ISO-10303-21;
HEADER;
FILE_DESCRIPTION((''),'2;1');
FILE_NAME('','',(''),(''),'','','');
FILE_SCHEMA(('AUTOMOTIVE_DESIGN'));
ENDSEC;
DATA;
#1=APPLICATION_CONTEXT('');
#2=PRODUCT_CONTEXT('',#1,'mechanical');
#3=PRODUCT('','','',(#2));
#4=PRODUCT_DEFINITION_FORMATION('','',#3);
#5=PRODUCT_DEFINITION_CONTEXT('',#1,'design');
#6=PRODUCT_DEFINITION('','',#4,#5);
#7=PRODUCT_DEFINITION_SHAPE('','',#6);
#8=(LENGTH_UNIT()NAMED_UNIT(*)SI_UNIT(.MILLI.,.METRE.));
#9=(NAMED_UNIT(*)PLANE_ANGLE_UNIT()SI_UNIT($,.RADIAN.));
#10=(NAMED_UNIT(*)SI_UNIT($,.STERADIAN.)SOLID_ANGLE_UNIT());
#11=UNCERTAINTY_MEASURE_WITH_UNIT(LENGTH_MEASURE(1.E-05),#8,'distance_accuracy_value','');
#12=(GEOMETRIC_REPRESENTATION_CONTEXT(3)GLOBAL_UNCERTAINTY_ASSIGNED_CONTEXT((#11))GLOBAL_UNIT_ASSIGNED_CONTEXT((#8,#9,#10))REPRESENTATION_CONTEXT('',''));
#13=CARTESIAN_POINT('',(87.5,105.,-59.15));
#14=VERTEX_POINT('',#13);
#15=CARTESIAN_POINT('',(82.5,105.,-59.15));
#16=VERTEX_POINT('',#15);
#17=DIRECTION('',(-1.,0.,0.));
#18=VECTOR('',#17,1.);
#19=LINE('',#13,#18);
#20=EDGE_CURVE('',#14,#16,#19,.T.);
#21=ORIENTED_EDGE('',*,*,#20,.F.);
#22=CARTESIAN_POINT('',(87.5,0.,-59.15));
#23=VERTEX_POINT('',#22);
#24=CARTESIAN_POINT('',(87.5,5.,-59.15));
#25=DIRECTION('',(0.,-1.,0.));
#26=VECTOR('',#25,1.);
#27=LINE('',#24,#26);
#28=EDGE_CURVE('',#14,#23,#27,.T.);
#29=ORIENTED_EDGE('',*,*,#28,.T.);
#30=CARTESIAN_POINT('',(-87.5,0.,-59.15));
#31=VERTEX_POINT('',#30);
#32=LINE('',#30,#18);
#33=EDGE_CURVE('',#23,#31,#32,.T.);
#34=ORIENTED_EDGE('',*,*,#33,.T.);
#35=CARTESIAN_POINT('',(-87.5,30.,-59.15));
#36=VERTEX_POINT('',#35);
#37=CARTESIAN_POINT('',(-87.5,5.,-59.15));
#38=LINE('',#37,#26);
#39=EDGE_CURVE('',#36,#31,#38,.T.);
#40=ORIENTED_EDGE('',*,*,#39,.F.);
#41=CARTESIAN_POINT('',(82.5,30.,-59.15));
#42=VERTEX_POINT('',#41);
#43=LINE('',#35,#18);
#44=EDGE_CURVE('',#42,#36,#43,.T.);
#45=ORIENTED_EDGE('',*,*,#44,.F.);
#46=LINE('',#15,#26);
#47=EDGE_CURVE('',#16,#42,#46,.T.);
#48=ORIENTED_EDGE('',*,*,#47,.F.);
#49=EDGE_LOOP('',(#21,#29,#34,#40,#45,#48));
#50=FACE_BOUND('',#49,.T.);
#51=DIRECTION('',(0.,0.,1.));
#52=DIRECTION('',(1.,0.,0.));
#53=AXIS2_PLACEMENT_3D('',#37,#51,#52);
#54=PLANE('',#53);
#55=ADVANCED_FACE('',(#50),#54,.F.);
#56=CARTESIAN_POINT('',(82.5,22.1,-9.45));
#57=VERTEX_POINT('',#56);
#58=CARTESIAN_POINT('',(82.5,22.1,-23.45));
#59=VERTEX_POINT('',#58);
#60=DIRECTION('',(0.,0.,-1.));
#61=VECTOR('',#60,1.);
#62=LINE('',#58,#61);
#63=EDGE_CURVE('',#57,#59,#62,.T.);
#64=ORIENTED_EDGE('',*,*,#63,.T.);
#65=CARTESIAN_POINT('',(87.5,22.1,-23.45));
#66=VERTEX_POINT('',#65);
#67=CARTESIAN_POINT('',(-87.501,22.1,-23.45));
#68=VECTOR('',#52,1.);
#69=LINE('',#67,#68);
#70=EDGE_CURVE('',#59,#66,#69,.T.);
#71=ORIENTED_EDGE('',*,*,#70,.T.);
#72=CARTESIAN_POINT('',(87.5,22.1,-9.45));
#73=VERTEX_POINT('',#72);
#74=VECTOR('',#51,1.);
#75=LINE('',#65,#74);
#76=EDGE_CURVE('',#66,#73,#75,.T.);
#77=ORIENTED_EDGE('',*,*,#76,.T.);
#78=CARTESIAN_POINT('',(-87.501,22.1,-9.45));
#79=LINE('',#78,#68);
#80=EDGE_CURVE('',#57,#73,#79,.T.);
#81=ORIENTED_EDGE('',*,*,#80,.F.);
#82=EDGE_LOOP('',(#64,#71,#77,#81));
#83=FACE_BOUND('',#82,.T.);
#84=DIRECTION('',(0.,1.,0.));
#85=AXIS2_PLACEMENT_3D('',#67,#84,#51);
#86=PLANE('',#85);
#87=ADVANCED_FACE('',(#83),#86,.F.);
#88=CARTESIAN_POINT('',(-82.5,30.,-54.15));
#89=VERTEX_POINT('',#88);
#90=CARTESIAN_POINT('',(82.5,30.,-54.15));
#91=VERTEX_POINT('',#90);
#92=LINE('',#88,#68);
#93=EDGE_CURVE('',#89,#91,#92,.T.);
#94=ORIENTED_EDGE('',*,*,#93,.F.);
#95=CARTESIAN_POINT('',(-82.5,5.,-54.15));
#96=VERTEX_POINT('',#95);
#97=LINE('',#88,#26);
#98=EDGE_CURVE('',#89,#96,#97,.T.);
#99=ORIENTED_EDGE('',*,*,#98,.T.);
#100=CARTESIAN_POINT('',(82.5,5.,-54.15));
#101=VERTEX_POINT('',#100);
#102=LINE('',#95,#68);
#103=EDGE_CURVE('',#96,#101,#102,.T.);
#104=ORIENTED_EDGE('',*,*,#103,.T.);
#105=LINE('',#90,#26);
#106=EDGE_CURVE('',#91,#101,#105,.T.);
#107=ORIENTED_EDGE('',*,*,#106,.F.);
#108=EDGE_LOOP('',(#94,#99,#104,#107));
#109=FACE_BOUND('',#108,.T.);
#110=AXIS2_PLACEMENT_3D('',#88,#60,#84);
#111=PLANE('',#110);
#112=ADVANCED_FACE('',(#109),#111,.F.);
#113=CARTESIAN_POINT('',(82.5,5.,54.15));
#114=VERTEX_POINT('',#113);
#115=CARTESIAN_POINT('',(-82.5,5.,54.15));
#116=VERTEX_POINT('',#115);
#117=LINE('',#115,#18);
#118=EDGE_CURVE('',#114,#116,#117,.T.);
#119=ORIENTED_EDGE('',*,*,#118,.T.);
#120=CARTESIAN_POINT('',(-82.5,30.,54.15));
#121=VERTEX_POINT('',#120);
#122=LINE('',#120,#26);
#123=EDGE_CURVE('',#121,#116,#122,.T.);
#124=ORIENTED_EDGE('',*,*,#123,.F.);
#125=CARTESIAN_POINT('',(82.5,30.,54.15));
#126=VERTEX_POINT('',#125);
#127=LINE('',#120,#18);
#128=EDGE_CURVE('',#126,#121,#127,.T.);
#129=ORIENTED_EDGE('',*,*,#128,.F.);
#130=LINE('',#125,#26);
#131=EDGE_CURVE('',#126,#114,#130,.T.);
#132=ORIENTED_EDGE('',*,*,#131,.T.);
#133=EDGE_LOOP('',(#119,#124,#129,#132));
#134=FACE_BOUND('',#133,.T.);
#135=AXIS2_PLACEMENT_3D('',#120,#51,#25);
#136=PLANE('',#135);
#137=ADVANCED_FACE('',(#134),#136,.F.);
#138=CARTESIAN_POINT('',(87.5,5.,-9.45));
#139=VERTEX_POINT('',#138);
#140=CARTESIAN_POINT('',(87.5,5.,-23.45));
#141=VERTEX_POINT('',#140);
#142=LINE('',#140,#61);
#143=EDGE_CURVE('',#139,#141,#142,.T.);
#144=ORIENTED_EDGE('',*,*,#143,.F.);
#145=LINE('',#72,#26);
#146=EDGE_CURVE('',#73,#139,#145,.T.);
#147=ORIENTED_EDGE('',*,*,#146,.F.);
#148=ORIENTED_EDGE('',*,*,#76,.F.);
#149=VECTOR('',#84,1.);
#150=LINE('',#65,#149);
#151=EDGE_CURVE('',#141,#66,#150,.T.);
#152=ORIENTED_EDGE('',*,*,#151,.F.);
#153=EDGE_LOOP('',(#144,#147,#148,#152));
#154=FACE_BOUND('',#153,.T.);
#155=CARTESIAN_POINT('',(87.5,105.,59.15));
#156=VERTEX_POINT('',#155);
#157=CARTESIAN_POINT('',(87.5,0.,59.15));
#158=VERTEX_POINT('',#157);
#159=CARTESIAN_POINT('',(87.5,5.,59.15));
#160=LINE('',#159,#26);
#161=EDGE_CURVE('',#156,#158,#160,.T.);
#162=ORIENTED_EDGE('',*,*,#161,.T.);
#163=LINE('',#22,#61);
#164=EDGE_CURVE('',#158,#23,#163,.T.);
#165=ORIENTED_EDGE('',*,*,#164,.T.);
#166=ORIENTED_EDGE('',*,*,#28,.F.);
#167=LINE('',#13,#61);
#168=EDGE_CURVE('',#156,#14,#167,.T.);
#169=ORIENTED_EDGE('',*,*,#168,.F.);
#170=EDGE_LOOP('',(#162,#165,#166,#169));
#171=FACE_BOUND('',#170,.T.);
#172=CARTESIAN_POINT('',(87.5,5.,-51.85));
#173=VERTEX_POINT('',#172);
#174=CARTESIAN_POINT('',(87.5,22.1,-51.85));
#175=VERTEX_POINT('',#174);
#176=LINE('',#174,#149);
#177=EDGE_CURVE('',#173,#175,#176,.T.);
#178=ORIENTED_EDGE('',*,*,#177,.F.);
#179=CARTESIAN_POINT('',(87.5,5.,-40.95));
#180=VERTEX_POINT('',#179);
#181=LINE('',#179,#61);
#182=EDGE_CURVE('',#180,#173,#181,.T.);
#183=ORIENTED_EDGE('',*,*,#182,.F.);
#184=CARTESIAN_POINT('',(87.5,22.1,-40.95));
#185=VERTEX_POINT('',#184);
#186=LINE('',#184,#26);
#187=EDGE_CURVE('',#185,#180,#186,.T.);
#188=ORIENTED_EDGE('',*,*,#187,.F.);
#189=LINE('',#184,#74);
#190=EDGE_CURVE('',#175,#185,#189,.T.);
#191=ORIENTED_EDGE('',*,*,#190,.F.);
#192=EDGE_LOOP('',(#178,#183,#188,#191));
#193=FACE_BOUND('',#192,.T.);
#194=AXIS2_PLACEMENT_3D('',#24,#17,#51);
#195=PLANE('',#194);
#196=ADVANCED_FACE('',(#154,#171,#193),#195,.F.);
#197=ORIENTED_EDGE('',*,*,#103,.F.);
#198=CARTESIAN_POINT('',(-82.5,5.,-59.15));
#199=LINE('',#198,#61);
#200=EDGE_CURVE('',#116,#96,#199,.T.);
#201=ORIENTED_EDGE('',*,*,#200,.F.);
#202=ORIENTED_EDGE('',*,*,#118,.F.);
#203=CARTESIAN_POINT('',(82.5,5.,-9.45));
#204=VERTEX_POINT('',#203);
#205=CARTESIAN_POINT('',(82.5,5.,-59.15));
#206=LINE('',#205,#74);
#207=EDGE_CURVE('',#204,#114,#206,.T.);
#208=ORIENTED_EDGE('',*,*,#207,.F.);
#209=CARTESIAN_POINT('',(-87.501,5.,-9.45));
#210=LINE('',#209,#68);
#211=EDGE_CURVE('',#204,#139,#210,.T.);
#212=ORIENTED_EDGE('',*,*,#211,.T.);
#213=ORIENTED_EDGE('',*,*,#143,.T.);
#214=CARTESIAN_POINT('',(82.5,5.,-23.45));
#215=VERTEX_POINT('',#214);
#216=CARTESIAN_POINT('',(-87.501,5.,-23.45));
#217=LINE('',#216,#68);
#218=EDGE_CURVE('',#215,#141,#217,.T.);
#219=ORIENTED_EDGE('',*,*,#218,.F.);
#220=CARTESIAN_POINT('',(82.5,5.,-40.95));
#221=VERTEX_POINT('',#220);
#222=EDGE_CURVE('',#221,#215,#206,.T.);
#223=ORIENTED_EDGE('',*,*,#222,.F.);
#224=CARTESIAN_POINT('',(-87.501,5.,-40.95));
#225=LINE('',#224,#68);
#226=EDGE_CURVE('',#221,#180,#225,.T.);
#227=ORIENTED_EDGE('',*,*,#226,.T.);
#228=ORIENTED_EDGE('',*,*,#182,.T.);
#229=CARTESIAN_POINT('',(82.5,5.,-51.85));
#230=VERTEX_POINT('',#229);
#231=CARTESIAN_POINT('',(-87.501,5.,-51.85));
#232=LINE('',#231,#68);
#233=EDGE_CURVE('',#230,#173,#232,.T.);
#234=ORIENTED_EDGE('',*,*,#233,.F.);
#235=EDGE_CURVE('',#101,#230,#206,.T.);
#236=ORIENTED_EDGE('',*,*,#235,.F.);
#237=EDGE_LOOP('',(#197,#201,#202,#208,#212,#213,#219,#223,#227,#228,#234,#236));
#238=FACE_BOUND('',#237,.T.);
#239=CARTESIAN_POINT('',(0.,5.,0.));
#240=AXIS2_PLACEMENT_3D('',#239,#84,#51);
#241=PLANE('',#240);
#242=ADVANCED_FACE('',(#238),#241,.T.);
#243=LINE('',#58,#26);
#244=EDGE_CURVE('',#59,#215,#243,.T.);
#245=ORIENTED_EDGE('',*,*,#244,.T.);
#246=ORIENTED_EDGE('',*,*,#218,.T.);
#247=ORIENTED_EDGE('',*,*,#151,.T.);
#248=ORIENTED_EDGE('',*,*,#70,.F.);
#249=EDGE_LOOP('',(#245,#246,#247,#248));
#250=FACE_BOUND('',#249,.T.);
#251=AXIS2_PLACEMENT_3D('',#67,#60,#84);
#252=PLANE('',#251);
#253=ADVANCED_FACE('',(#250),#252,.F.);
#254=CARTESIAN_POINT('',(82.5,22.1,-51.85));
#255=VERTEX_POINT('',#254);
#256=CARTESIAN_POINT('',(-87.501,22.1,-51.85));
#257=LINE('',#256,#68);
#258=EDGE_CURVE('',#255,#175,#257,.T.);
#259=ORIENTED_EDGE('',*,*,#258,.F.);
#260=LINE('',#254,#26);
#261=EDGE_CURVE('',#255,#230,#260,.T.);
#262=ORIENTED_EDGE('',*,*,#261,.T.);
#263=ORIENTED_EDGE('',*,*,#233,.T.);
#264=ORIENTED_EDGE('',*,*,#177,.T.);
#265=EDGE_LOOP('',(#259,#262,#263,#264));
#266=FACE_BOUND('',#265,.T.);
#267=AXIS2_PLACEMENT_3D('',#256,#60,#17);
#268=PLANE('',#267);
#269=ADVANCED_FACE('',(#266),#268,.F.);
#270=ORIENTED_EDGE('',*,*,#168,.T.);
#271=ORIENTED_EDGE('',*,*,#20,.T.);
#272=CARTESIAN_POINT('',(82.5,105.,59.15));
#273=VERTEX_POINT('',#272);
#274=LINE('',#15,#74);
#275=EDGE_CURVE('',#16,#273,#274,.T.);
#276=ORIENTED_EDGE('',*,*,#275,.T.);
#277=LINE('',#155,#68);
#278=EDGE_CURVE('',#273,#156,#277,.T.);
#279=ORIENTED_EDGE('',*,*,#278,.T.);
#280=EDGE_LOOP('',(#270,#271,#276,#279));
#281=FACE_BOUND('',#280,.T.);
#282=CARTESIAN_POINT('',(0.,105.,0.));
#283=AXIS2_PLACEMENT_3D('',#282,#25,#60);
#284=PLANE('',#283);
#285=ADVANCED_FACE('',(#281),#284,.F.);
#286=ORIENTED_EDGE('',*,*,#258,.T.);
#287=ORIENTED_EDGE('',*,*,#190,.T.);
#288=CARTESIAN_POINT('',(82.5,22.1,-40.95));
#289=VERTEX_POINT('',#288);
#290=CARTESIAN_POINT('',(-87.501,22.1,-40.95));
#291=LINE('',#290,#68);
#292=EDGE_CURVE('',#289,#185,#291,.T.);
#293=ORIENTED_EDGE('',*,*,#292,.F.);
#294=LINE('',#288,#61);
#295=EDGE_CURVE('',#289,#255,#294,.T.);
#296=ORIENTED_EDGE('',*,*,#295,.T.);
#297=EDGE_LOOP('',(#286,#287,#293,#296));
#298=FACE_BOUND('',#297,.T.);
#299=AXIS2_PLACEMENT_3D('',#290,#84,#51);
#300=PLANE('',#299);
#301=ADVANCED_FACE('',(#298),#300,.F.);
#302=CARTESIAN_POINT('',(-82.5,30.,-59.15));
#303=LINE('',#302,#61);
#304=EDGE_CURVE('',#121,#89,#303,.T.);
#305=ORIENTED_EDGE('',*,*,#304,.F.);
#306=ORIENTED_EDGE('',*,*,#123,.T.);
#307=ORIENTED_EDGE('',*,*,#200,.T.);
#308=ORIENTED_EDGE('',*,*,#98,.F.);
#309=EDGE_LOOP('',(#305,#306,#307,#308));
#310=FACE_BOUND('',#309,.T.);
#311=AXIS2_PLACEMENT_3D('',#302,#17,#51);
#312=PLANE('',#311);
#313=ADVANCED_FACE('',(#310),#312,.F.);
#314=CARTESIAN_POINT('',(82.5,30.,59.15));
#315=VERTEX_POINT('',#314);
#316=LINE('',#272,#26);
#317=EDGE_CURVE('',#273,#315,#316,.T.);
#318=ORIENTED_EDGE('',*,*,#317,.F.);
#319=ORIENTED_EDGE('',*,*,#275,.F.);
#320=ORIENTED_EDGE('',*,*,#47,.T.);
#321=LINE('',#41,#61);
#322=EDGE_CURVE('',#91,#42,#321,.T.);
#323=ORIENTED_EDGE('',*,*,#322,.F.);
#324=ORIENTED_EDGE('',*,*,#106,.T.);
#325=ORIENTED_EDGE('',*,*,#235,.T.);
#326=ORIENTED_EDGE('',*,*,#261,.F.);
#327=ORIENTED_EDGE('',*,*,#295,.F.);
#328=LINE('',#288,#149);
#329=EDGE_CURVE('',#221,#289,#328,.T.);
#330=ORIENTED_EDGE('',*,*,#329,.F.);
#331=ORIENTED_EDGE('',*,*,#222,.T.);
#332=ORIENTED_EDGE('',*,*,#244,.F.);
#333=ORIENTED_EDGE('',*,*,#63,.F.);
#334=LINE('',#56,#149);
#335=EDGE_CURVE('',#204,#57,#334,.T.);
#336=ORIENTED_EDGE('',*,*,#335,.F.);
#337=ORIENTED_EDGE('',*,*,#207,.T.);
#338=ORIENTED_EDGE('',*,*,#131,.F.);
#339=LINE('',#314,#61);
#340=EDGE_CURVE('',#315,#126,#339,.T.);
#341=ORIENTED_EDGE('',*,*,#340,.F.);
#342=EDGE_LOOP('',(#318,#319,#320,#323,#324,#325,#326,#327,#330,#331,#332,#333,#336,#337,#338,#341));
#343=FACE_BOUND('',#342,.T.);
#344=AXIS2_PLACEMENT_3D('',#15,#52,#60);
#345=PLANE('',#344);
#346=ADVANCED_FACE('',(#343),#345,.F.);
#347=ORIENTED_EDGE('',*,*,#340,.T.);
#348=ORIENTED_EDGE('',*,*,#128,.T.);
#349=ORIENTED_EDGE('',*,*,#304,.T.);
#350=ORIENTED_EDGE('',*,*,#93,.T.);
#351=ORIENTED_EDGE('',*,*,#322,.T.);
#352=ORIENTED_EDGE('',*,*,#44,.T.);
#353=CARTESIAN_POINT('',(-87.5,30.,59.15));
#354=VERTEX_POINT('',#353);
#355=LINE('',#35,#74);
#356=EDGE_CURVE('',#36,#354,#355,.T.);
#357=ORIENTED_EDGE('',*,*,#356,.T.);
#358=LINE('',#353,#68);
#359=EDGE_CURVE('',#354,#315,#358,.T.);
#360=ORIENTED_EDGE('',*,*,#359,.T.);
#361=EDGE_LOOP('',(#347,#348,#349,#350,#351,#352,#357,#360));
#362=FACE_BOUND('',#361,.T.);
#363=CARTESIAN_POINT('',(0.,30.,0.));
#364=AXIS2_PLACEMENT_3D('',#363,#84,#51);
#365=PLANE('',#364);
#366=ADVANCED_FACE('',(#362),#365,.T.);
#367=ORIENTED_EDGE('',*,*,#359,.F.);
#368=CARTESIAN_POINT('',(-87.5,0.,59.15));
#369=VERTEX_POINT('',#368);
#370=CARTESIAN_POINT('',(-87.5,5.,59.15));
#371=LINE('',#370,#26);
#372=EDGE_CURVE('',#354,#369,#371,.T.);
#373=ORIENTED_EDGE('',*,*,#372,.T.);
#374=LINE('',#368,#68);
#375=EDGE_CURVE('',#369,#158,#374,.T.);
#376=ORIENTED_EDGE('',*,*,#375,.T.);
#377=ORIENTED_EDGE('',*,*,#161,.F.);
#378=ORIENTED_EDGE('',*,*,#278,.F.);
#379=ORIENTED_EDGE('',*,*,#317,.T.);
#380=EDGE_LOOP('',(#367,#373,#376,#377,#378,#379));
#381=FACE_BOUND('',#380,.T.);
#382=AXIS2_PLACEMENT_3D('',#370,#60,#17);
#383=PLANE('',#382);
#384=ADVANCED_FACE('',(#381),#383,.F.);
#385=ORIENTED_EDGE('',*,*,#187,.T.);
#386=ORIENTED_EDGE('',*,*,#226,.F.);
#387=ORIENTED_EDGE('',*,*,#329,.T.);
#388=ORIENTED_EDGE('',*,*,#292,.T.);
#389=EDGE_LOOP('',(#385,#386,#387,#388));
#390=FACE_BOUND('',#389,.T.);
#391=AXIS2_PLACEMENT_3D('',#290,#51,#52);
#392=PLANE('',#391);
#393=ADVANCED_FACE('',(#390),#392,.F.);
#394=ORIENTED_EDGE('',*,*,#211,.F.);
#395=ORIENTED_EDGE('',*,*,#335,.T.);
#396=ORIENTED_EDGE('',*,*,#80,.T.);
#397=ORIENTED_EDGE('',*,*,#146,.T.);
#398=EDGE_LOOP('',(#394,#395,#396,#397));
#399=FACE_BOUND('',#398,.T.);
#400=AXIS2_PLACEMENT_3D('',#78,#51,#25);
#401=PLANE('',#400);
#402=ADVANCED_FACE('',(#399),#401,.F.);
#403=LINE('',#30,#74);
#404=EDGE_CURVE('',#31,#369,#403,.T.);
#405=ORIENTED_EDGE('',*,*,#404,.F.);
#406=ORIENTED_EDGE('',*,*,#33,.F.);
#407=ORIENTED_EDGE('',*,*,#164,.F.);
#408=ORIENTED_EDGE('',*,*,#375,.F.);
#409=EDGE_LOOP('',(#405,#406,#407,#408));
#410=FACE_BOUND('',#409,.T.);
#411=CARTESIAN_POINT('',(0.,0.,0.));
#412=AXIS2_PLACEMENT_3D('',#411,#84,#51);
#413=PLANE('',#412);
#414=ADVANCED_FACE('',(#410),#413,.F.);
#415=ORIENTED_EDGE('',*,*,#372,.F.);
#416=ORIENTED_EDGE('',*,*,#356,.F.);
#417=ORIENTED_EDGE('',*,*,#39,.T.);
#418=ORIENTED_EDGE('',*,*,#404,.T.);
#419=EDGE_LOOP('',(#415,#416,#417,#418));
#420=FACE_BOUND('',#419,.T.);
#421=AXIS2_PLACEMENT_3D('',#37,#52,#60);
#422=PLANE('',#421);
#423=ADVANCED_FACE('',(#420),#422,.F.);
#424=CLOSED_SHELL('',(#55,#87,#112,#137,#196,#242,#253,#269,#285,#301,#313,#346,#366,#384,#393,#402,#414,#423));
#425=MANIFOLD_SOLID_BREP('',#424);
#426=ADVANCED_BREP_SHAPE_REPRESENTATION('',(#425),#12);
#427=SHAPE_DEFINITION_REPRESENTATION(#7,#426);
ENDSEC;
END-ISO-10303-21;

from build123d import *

# Parameters (mm, degrees)
SZKIC1_W                    = 175
SZKIC1_H                    = 118.3
DODANIE_WYCI_GNI_CIE1_DEPTH = 5
SZKIC2_W                    = 5
SZKIC2_H                    = 118.3
DODANIE_WYCI_GNI_CIE2_DEPTH = 25
SZKIC3_W                    = 5
SZKIC3_H                    = 118.3
DODANIE_WYCI_GNI_CIE3_DEPTH = 100
SZKIC4_W                    = 165
SZKIC4_H                    = 5
DODANIE_WYCI_GNI_CIE4_DEPTH = 25
SZKIC5_W                    = 165
SZKIC5_H                    = 5
DODANIE_WYCI_GNI_CIE5_DEPTH = 25
WYTNIJ_WYCI_GNI_CIE1_REACH  = 214.482
SZKIC7_W                    = 14
SZKIC7_H                    = 17.1
WYTNIJ_WYCI_GNI_CIE2_REACH  = 214.482
SZKIC8_W                    = 10.9
SZKIC8_H                    = 17.1


with BuildPart() as part:
    # Szkic1 → Dodanie-wyciągnięcie1 (new body)
    with BuildSketch(Plane(origin=(0, 0, 0), x_dir=(1, 0, 0), z_dir=(0, 1, 0))):
        Rectangle(SZKIC1_W, SZKIC1_H)
    extrude(amount=DODANIE_WYCI_GNI_CIE1_DEPTH)

    # Szkic2 → Dodanie-wyciągnięcie2 (add)
    with BuildSketch(Plane(origin=(0, 5, 0), x_dir=(1, 0, 0), z_dir=(0, 1, 0))):
        with Locations((-85, 0)):
            Rectangle(SZKIC2_W, SZKIC2_H)
    extrude(amount=DODANIE_WYCI_GNI_CIE2_DEPTH)

    # Szkic3 → Dodanie-wyciągnięcie3 (add)
    with BuildSketch(Plane(origin=(0, 5, 0), x_dir=(1, 0, 0), z_dir=(0, 1, 0))):
        with Locations((85, 0)):
            Rectangle(SZKIC3_W, SZKIC3_H)
    extrude(amount=DODANIE_WYCI_GNI_CIE3_DEPTH)

    # Szkic4 → Dodanie-wyciągnięcie4 (add)
    with BuildSketch(Plane(origin=(0, 5, 0), x_dir=(1, 0, 0), z_dir=(0, 1, 0))):
        with Locations((0, -56.65)):
            Rectangle(SZKIC4_W, SZKIC4_H)
    extrude(amount=DODANIE_WYCI_GNI_CIE4_DEPTH)

    # Szkic5 → Dodanie-wyciągnięcie5 (add)
    with BuildSketch(Plane(origin=(0, 5, 0), x_dir=(1, 0, 0), z_dir=(0, 1, 0))):
        with Locations((0, 56.65)):
            Rectangle(SZKIC5_W, SZKIC5_H)
    extrude(amount=DODANIE_WYCI_GNI_CIE5_DEPTH)

    # Szkic7 → Wytnij-wyciągnięcie1 (cut, up to next)
    with BuildSketch(Plane(origin=(87.5, 0, 0), x_dir=(0, 0, -1), z_dir=(1, 0, 0)), mode=Mode.PRIVATE) as wytnij_wyci_gni_cie1_sk1:
        with Locations((16.45, 13.55)):
            Rectangle(SZKIC7_W, SZKIC7_H)
    wytnij_wyci_gni_cie1_tool1 = extrude(wytnij_wyci_gni_cie1_sk1.sketch, amount=-WYTNIJ_WYCI_GNI_CIE1_REACH, mode=Mode.PRIVATE) & part.part
    add(wytnij_wyci_gni_cie1_tool1.solids().sort_by_distance((87.5, 13.55, -16.45))[0], mode=Mode.SUBTRACT)

    # Szkic8 → Wytnij-wyciągnięcie2 (cut, up to next)
    with BuildSketch(Plane(origin=(87.5, 0, 0), x_dir=(0, 0, -1), z_dir=(1, 0, 0)), mode=Mode.PRIVATE) as wytnij_wyci_gni_cie2_sk1:
        with Locations((46.4, 13.55)):
            Rectangle(SZKIC8_W, SZKIC8_H)
    wytnij_wyci_gni_cie2_tool1 = extrude(wytnij_wyci_gni_cie2_sk1.sketch, amount=-WYTNIJ_WYCI_GNI_CIE2_REACH, mode=Mode.PRIVATE) & part.part
    add(wytnij_wyci_gni_cie2_tool1.solids().sort_by_distance((87.5, 13.55, -46.4))[0], mode=Mode.SUBTRACT)


solid = part.part
